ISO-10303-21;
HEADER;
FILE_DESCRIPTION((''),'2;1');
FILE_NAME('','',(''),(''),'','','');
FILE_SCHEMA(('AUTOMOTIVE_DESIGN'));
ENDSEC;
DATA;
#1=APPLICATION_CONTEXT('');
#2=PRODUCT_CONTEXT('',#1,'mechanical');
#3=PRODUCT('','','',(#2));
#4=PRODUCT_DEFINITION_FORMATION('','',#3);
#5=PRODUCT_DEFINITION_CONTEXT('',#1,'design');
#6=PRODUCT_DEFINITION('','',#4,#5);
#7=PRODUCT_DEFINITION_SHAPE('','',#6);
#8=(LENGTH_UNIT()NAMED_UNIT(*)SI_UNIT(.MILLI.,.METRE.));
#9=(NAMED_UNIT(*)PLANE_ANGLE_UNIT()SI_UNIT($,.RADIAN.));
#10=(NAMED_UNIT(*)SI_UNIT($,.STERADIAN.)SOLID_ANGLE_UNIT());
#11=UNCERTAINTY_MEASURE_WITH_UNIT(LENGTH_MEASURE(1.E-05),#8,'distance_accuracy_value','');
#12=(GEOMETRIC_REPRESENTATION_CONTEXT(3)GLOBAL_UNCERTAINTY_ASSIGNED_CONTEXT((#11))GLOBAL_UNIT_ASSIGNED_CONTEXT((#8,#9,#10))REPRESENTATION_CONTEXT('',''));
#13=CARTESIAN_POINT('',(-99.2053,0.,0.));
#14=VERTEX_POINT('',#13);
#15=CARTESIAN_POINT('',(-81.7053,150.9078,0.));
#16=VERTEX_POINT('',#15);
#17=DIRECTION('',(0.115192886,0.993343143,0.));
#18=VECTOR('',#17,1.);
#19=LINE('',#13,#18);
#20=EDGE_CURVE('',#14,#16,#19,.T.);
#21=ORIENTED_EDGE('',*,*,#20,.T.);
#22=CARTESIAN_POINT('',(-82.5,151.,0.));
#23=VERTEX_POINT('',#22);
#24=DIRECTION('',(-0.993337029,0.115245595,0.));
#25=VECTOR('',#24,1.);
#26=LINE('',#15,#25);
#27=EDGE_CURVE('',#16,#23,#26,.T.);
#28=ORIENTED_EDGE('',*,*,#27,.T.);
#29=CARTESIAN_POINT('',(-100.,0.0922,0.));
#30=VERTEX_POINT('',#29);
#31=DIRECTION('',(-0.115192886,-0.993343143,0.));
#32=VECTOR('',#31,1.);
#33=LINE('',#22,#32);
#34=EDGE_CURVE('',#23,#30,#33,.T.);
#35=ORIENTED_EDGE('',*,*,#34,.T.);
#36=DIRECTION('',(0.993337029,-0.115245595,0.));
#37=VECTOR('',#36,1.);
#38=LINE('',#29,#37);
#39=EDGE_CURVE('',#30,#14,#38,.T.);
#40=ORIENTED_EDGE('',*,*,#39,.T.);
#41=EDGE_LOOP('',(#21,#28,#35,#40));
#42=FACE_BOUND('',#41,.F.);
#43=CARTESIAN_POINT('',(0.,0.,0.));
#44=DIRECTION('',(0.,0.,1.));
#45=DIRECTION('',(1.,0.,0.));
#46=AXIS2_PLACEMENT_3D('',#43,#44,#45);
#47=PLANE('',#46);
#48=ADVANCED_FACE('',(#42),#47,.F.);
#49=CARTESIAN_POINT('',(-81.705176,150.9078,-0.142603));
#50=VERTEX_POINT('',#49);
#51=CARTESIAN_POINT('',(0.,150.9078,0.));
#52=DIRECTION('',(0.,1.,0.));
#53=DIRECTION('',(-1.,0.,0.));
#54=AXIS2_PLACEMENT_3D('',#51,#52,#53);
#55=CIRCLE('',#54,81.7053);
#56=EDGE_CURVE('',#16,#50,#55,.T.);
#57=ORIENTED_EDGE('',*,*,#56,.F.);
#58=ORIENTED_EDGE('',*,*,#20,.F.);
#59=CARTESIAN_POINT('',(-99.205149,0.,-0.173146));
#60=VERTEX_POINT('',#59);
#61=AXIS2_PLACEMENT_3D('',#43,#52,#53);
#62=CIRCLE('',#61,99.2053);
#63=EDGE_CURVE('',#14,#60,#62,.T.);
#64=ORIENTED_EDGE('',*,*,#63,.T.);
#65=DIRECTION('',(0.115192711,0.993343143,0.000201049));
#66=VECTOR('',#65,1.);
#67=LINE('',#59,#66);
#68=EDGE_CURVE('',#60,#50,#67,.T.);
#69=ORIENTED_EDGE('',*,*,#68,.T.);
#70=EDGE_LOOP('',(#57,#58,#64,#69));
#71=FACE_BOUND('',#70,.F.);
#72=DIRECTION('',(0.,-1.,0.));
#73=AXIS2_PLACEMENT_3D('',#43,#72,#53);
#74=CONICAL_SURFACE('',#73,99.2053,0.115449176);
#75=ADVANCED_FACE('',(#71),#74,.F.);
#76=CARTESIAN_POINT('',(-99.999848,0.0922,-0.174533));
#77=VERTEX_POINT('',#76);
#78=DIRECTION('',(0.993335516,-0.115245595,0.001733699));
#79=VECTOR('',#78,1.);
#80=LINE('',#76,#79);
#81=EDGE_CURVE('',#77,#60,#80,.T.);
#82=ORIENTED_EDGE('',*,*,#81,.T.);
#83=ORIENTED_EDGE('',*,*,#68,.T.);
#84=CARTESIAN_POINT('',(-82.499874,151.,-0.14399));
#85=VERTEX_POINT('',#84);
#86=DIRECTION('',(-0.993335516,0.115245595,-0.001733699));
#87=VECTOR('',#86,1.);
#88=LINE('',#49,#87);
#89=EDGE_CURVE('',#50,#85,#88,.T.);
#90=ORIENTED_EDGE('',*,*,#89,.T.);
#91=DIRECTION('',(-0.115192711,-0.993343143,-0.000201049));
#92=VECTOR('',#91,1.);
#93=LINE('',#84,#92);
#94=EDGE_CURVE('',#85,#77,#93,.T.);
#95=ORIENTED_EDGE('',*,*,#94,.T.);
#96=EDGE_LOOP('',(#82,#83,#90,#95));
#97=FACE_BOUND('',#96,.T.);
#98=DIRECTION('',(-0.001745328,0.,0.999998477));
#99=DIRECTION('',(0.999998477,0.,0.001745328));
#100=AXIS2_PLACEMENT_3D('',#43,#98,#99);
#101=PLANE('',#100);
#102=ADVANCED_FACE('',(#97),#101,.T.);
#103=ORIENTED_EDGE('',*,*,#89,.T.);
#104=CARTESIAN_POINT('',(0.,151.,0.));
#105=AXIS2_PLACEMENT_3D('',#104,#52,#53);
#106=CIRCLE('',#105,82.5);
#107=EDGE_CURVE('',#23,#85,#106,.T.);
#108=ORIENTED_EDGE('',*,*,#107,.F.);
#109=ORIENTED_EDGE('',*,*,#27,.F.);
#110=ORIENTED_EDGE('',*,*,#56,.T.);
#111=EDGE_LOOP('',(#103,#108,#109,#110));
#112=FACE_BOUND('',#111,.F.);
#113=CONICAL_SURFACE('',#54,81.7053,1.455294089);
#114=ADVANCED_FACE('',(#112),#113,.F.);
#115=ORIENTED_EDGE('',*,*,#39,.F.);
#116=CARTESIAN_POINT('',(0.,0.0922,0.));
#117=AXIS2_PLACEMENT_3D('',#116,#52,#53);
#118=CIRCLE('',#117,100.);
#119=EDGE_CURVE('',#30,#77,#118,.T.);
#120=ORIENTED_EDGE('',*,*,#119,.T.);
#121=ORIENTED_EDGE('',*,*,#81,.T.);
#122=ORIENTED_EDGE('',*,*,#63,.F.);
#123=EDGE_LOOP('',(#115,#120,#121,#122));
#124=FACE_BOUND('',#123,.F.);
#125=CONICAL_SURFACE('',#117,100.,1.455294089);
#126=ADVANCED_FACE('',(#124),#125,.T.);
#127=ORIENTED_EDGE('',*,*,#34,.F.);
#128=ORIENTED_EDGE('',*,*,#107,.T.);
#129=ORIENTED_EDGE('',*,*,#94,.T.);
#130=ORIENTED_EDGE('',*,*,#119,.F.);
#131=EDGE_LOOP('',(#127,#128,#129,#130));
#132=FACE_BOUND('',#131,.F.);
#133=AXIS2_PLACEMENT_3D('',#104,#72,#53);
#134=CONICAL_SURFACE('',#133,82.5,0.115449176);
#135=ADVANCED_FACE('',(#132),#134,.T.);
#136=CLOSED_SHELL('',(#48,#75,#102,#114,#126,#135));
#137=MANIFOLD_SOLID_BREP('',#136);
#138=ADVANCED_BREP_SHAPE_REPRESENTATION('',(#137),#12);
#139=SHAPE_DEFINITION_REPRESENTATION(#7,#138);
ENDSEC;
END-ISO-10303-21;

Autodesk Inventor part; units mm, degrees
ref_plane "YZ Plane" through (0, 0, 0) normal (1, 0, 0) x (0, 1, 0)
ref_plane "XZ Plane" through (0, 0, 0) normal (0, 1, 0) x (-1, 0, 0)
ref_plane "XY Plane" through (0, 0, 0) normal (0, 0, 1) x (1, 0, 0)
sketch "Sketch1" plane through (0, 0, 0) normal (0, 0, 1) x (1, 0, 0)
  line L0 (0, 0) -> (0, 151)
  line L1 (-82.5, 151) -> (-100, 0.0922)
  line L2 (-100, 0.0922) -> (-99.2053, 0)
  line L3 (-99.2053, 0) -> (-81.7053, 150.9078)
  line L4 (-81.7053, 150.9078) -> (-82.5, 151)
  line L5 (-82.5, 151) -> (-99.2053, 0) construction
  line L6 (-100, 0.0922) -> (-81.7053, 150.9078) construction
  point P0 (-90.8527, 75.5)
  dimension "d0" = 151
  dimension "d4" = 200
  dimension "d6" = 165
  dimension "d7" = 0.8
revolve "Revolution1" add sketch "Sketch1" angle 359.9 about axis through (0, 0, 0) along (0, 1, 0)
equation "\"d7\" = Thickness"
equation "\"BendRadius\" = Thickness"
equation "\"BendReliefWidth\" = Thickness"
equation "\"BendReliefDepth\" = 0.5 * Thickness"
equation "\"CornerReliefSize\" = 4 * Thickness"
equation "\"MinimumRemnant\" = 2 * Thickness"
equation "\"TransitionRadius\" = BendRadius"
equation "\"JacobiRadiusSize\" = BendRadius"
equation "\"GapSize\" = Thickness"
equation "\"Thickness\" = 0.8"
properties part number "MSC 101 ROСKET TAIL" material "Stainless Steel"
